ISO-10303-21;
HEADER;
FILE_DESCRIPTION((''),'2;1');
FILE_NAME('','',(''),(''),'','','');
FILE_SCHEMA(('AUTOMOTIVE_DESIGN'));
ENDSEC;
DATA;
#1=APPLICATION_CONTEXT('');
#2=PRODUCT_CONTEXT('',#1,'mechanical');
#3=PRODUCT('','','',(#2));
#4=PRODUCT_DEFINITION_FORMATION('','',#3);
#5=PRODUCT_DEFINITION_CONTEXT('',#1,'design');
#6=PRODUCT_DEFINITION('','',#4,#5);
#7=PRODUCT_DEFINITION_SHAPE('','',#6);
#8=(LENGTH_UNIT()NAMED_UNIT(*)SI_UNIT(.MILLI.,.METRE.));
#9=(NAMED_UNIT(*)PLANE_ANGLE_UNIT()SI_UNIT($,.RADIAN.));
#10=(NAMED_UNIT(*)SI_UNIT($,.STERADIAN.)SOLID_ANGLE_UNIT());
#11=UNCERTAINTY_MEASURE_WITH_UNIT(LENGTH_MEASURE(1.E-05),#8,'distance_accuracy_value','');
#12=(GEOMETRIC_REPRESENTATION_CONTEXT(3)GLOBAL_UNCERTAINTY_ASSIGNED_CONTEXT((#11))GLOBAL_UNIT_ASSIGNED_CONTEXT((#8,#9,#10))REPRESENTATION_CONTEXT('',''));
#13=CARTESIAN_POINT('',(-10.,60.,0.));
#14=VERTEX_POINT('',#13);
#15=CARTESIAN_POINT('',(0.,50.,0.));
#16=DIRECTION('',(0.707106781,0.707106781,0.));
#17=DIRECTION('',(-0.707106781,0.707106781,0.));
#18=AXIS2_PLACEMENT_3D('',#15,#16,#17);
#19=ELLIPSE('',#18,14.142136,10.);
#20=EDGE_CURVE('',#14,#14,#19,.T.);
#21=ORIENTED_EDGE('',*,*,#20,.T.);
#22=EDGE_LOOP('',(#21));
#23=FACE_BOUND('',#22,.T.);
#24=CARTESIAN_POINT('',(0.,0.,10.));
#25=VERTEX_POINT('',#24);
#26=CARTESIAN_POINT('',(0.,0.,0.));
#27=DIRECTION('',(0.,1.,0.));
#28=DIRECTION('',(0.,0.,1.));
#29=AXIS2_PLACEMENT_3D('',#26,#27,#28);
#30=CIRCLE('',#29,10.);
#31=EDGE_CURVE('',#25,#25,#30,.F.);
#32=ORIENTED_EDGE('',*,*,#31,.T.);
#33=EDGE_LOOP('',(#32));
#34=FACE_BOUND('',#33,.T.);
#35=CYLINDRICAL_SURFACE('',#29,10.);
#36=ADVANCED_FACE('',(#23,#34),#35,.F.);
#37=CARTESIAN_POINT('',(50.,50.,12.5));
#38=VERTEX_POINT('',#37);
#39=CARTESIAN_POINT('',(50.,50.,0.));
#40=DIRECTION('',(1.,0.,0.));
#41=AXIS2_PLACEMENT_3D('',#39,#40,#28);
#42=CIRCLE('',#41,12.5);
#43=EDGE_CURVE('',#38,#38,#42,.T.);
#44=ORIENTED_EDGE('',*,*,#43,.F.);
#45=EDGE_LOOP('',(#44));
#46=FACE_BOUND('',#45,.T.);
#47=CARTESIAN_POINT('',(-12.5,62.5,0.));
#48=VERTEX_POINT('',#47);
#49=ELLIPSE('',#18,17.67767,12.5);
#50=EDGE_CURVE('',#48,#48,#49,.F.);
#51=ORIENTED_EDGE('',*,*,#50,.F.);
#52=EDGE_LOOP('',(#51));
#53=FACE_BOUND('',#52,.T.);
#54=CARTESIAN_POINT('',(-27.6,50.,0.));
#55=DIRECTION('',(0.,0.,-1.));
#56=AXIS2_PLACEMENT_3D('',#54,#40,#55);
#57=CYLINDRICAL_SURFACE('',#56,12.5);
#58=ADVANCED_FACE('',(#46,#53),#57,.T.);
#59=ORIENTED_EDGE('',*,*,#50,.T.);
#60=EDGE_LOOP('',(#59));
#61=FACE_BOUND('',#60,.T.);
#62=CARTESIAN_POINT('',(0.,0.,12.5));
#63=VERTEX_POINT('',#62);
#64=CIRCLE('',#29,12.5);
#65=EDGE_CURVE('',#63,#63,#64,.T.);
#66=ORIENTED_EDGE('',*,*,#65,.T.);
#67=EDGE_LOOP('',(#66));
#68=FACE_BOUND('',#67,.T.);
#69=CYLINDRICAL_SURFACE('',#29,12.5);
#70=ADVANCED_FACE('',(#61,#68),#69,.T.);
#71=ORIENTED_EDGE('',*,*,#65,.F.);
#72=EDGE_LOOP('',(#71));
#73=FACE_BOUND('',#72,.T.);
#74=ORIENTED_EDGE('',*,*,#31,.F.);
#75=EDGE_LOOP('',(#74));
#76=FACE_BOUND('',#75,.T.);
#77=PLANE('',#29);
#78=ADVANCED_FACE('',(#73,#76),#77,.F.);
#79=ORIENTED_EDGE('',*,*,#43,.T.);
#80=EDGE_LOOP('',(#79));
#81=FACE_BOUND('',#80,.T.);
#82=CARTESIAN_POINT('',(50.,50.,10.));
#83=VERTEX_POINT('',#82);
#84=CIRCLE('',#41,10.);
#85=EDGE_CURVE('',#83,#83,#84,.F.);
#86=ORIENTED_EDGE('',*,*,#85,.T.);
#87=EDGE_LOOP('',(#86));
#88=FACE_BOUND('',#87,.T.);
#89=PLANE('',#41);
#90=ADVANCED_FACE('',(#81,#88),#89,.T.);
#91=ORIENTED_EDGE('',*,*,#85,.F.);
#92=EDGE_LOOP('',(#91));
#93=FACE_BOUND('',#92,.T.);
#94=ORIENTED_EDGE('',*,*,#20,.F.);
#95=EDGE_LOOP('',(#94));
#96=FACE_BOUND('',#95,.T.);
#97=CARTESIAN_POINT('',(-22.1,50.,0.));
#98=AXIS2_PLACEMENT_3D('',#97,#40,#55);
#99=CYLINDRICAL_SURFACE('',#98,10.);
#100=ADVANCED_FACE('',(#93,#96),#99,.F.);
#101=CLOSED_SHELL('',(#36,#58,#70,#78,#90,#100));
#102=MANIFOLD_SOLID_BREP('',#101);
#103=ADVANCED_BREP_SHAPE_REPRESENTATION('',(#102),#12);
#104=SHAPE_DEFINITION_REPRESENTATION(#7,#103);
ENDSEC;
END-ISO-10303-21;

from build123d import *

# Parameters (mm, degrees)
SKETCH_1_R   = 12.5
SKETCH_1_R_2 = 10


with BuildPart() as part:
    # 扫描1: sweep along a path in 草图2
    with BuildLine(Plane.XY) as sweep_1_path:
        Line((0, 0), (0, 50))
        Line((0, 50), (50, 50))
    # 草图1 → 扫描1 (sweep)
    with BuildSketch(Plane(origin=(0, 0, 0), x_dir=(1, 0, 0), z_dir=(0, 1, 0))):
        Circle(SKETCH_1_R)
        Circle(SKETCH_1_R_2, mode=Mode.SUBTRACT)
    sweep(path=sweep_1_path.line, transition=Transition.RIGHT)


solid = part.part
